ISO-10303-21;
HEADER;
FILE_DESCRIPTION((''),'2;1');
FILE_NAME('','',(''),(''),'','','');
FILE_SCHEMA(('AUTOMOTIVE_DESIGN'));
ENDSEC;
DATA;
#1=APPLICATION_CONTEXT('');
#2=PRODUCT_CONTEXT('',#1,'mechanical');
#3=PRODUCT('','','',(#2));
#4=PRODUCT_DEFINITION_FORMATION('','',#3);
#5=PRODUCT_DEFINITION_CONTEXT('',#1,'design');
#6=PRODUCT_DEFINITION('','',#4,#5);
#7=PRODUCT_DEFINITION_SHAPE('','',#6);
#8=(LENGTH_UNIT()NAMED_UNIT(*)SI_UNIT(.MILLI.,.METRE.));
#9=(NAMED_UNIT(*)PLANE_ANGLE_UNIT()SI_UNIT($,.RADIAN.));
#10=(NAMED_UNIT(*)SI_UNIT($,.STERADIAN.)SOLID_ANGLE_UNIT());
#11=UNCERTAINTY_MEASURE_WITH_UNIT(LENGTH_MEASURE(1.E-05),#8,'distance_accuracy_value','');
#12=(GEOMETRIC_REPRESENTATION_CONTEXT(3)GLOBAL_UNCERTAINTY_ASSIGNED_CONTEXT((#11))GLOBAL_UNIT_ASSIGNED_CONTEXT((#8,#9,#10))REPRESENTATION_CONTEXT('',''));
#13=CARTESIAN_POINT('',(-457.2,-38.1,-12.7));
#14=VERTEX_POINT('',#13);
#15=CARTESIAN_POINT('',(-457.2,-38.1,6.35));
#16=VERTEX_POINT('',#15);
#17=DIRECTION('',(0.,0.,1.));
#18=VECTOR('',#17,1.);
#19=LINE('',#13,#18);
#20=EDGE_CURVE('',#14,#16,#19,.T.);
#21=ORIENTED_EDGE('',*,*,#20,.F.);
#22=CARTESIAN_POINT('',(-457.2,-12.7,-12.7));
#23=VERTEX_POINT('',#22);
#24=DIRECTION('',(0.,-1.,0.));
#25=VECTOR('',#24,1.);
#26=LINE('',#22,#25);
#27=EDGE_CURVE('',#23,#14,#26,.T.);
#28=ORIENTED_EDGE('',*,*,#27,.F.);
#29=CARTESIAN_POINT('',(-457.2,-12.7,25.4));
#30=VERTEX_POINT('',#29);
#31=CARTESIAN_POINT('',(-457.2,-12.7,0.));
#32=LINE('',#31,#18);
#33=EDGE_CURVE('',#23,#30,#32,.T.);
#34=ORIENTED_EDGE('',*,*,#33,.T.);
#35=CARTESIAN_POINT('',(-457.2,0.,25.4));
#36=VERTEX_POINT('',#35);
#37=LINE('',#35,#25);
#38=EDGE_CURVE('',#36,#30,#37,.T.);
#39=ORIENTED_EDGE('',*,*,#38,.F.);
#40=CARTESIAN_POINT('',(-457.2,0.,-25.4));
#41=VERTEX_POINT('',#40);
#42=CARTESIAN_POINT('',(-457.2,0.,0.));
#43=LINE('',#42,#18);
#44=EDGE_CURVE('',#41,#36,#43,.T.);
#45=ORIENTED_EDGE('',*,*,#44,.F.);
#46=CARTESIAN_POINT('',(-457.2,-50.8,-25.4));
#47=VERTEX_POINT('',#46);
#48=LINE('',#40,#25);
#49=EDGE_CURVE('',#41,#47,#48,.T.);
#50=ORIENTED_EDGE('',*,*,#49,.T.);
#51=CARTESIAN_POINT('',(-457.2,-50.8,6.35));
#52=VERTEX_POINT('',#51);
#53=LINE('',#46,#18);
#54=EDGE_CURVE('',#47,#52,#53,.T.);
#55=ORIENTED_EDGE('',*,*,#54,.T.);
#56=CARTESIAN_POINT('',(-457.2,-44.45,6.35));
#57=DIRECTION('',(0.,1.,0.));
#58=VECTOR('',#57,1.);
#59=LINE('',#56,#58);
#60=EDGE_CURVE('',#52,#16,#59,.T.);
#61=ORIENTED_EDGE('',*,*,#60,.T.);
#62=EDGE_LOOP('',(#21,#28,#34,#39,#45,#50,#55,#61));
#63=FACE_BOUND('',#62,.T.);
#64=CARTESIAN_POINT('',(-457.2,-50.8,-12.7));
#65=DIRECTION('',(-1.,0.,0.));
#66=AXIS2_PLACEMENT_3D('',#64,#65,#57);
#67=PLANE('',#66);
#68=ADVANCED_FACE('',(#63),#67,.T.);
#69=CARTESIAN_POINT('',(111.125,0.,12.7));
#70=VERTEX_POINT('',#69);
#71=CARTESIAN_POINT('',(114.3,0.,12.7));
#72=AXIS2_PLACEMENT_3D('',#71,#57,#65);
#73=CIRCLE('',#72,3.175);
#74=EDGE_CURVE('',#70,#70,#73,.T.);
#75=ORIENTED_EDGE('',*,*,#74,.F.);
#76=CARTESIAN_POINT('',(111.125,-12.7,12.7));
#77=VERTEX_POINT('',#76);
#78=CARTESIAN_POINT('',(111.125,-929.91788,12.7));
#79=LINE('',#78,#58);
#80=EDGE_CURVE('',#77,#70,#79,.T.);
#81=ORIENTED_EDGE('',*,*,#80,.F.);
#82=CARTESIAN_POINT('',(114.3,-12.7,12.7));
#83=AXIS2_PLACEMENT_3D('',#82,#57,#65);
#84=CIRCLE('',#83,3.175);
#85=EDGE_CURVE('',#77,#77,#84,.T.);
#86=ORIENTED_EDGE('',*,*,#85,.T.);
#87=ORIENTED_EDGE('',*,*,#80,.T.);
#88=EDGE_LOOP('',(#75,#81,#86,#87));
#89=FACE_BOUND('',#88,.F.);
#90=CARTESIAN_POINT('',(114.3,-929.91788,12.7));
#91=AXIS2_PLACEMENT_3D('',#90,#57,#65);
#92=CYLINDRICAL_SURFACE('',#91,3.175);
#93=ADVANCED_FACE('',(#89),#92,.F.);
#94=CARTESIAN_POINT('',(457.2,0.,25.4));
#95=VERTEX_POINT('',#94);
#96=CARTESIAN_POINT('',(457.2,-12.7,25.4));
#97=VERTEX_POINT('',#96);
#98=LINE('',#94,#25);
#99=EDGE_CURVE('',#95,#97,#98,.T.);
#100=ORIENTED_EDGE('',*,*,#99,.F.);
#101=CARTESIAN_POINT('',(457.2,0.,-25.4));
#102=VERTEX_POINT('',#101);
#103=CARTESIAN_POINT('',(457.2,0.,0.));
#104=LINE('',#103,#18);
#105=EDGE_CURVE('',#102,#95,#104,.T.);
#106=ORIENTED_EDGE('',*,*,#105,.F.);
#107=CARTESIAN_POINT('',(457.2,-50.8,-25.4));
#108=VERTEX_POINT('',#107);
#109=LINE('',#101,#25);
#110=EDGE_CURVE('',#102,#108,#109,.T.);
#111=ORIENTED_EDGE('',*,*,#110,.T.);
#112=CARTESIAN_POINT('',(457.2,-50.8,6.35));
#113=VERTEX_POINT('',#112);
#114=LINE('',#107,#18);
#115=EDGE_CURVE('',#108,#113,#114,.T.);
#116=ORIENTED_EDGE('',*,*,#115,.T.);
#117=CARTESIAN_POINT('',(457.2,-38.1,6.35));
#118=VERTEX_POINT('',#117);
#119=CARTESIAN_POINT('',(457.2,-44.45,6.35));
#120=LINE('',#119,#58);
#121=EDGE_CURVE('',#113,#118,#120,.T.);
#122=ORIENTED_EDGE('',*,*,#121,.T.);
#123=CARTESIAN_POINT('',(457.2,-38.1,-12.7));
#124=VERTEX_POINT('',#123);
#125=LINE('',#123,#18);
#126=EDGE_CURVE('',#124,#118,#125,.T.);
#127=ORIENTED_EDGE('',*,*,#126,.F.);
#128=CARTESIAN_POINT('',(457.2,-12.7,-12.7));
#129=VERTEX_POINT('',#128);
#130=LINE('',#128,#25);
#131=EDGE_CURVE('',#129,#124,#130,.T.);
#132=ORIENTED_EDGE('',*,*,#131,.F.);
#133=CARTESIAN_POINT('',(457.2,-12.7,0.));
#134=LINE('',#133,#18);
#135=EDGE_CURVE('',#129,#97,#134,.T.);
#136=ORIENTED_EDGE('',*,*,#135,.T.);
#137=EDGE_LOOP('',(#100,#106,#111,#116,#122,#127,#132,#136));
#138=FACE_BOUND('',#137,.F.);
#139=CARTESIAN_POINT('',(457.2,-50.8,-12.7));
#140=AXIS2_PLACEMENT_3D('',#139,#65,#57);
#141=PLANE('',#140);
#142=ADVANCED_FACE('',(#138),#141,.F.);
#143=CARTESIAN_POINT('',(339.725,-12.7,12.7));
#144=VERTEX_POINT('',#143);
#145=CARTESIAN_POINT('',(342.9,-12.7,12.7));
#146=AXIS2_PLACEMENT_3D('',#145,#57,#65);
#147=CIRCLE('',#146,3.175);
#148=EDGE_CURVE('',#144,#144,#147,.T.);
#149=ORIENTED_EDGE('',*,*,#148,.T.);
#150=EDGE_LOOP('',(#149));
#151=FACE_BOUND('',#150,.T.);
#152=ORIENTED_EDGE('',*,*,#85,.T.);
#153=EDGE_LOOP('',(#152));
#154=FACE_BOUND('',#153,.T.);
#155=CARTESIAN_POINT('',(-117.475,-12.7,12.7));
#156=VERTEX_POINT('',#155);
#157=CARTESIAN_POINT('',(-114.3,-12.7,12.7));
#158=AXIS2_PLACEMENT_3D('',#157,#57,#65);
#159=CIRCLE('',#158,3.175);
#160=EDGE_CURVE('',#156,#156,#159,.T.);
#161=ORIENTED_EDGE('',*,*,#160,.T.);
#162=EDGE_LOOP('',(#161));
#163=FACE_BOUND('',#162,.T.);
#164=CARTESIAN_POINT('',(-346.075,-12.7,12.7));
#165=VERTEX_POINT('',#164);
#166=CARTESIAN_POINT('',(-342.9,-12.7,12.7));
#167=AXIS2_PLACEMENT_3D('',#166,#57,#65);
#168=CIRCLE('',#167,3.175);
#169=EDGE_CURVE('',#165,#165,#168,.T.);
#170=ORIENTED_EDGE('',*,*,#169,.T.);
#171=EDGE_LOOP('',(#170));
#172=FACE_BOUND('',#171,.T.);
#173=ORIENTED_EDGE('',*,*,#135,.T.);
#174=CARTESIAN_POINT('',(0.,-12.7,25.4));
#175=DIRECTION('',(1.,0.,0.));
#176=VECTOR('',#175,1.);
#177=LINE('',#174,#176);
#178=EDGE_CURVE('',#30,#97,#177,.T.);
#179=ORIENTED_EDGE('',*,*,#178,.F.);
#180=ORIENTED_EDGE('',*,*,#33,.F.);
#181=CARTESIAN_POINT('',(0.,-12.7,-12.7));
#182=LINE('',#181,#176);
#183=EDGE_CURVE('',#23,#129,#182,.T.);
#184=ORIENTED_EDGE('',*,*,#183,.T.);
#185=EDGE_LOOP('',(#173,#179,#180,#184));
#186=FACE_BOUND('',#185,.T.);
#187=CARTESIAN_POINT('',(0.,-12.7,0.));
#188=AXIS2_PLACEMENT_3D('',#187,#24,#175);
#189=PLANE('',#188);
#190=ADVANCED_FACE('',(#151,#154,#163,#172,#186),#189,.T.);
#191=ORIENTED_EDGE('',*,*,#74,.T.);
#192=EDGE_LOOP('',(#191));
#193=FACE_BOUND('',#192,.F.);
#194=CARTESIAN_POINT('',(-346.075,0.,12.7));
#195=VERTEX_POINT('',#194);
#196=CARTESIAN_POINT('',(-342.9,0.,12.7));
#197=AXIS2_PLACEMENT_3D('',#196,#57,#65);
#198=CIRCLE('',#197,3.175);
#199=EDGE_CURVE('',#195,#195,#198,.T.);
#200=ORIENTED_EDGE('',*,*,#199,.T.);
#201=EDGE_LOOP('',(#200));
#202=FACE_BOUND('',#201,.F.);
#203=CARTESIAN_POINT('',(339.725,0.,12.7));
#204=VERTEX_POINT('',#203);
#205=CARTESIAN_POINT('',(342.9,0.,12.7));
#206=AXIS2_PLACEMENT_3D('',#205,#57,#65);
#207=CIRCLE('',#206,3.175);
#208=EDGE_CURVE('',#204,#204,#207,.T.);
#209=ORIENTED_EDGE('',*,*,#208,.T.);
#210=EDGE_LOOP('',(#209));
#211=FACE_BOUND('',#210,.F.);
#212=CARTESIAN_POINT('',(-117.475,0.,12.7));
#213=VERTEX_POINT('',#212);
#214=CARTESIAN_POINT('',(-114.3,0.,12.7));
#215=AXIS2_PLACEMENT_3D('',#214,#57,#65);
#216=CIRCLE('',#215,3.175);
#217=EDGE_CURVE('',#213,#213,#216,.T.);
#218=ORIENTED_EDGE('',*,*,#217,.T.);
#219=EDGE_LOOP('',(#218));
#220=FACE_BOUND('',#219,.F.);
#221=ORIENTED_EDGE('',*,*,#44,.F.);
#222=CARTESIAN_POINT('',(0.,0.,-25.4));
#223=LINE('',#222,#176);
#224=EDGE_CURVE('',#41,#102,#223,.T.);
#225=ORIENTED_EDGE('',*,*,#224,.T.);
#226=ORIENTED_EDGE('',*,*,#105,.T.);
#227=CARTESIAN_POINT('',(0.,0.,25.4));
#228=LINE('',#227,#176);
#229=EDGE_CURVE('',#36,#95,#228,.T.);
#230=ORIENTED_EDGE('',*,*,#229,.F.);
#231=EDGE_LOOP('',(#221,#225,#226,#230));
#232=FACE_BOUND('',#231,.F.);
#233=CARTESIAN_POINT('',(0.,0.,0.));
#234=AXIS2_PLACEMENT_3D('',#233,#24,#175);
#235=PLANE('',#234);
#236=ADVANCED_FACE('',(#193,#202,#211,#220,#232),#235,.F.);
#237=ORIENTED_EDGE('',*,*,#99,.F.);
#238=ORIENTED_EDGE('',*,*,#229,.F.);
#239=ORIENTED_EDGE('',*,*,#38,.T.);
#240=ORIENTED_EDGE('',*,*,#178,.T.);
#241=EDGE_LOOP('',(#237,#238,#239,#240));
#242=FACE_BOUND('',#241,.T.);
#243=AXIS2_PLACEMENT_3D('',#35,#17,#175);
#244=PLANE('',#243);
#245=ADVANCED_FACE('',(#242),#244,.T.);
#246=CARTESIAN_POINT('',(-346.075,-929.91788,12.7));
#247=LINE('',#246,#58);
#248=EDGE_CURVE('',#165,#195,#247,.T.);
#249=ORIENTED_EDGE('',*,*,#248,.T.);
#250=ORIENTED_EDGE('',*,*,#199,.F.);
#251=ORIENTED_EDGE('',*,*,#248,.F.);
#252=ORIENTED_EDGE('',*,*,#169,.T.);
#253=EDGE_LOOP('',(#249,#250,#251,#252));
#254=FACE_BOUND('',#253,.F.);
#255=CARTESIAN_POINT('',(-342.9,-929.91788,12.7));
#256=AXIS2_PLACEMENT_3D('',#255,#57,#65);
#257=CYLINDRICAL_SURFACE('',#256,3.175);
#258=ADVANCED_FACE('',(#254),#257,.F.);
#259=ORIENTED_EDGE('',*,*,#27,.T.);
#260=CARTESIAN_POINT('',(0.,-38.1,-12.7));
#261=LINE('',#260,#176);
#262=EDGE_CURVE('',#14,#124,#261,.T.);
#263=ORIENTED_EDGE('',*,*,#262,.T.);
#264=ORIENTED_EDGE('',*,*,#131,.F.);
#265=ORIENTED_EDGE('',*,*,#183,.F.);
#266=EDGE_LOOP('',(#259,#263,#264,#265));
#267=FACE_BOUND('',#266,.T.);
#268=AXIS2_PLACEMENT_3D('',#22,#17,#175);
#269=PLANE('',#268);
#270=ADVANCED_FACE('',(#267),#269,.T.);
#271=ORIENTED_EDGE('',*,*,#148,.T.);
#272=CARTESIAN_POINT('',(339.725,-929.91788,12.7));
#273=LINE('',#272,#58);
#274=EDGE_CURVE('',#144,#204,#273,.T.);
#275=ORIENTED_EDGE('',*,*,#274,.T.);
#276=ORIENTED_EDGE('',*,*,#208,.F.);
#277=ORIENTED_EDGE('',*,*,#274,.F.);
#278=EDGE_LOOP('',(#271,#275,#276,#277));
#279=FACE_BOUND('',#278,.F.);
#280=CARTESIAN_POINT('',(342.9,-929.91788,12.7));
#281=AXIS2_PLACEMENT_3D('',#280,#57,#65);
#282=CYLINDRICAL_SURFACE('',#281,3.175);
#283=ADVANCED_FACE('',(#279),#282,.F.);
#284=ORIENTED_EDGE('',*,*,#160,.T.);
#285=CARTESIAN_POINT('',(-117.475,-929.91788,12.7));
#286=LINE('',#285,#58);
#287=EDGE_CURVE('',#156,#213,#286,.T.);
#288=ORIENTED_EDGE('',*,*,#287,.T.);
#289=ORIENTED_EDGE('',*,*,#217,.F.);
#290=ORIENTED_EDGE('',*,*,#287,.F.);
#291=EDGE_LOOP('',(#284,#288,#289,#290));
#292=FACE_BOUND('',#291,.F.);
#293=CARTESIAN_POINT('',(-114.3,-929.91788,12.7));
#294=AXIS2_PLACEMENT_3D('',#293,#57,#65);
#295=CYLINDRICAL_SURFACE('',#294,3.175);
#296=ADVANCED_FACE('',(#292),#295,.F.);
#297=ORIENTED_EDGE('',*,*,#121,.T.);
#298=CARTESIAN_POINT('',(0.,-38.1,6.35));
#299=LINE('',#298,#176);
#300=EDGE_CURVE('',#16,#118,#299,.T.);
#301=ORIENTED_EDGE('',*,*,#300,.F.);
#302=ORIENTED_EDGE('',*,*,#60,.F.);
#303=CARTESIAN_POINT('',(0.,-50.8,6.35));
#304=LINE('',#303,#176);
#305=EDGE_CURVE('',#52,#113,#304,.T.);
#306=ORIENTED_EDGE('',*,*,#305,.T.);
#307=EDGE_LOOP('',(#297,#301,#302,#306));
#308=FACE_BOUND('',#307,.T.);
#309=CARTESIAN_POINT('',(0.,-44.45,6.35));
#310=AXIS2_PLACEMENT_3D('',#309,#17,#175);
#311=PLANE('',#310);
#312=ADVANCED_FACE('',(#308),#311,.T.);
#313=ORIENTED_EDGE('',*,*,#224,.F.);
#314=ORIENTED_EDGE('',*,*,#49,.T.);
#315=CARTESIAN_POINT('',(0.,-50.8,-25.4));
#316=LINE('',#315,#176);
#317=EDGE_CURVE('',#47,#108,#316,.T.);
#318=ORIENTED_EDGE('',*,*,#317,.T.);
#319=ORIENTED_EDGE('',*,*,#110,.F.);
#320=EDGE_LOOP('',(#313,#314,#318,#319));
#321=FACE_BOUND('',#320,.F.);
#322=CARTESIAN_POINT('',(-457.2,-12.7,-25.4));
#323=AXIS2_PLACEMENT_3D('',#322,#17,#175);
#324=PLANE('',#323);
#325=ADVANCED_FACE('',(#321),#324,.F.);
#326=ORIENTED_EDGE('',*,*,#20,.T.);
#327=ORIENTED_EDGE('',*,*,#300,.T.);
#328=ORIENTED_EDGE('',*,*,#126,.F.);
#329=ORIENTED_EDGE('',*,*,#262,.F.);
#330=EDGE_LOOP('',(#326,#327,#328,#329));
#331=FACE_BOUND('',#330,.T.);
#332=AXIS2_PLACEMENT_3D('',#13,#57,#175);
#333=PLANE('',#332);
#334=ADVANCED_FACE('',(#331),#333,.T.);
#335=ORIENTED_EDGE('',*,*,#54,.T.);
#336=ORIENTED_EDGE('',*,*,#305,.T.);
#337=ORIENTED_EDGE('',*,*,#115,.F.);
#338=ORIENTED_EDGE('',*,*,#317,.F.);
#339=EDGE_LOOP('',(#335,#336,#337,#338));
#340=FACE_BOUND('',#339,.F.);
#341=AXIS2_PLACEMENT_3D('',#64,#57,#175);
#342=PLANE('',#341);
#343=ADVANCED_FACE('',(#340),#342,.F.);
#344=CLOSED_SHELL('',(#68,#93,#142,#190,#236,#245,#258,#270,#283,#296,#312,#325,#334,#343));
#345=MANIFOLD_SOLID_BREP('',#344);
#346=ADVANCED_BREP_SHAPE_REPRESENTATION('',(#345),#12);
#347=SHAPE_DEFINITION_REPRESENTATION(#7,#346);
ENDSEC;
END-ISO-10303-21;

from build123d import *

# Parameters (mm, degrees)
F0_W     = 914.4
F0_H     = 50.8
F1_DEPTH = 12.7
F2_W     = 914.4
F2_H     = 12.7
F3_DEPTH = 38.1
F4_W     = 914.4
F4_H     = 12.7
F5_DEPTH = 19.05
F7_D     = 6.35


with BuildPart() as f1:
    # F0 (on Front) → F1 (new body)
    with BuildSketch(Plane.XZ):
        Rectangle(F0_W, F0_H)
    extrude(amount=F1_DEPTH)

    # F2 (on face) → F3 (join)
    with BuildSketch(Plane.XZ.offset(12.7)):
        with Locations((0, -19.05)):
            Rectangle(F2_W, F2_H)
    extrude(amount=F3_DEPTH)

    # F4 (on face) → F5 (join)
    with BuildSketch(Plane.XY.offset(-12.7)):
        with Locations((0, -44.45)):
            Rectangle(F4_W, F4_H)
    extrude(amount=F5_DEPTH)

    # F7 (through all)
    with Locations(Plane.XZ.offset(12.7)):
        with Locations((-342.9, 12.7), (-114.3, 12.7), (114.3, 12.7), (342.9, 12.7)):
            Hole(F7_D / 2)


solid = f1.part
